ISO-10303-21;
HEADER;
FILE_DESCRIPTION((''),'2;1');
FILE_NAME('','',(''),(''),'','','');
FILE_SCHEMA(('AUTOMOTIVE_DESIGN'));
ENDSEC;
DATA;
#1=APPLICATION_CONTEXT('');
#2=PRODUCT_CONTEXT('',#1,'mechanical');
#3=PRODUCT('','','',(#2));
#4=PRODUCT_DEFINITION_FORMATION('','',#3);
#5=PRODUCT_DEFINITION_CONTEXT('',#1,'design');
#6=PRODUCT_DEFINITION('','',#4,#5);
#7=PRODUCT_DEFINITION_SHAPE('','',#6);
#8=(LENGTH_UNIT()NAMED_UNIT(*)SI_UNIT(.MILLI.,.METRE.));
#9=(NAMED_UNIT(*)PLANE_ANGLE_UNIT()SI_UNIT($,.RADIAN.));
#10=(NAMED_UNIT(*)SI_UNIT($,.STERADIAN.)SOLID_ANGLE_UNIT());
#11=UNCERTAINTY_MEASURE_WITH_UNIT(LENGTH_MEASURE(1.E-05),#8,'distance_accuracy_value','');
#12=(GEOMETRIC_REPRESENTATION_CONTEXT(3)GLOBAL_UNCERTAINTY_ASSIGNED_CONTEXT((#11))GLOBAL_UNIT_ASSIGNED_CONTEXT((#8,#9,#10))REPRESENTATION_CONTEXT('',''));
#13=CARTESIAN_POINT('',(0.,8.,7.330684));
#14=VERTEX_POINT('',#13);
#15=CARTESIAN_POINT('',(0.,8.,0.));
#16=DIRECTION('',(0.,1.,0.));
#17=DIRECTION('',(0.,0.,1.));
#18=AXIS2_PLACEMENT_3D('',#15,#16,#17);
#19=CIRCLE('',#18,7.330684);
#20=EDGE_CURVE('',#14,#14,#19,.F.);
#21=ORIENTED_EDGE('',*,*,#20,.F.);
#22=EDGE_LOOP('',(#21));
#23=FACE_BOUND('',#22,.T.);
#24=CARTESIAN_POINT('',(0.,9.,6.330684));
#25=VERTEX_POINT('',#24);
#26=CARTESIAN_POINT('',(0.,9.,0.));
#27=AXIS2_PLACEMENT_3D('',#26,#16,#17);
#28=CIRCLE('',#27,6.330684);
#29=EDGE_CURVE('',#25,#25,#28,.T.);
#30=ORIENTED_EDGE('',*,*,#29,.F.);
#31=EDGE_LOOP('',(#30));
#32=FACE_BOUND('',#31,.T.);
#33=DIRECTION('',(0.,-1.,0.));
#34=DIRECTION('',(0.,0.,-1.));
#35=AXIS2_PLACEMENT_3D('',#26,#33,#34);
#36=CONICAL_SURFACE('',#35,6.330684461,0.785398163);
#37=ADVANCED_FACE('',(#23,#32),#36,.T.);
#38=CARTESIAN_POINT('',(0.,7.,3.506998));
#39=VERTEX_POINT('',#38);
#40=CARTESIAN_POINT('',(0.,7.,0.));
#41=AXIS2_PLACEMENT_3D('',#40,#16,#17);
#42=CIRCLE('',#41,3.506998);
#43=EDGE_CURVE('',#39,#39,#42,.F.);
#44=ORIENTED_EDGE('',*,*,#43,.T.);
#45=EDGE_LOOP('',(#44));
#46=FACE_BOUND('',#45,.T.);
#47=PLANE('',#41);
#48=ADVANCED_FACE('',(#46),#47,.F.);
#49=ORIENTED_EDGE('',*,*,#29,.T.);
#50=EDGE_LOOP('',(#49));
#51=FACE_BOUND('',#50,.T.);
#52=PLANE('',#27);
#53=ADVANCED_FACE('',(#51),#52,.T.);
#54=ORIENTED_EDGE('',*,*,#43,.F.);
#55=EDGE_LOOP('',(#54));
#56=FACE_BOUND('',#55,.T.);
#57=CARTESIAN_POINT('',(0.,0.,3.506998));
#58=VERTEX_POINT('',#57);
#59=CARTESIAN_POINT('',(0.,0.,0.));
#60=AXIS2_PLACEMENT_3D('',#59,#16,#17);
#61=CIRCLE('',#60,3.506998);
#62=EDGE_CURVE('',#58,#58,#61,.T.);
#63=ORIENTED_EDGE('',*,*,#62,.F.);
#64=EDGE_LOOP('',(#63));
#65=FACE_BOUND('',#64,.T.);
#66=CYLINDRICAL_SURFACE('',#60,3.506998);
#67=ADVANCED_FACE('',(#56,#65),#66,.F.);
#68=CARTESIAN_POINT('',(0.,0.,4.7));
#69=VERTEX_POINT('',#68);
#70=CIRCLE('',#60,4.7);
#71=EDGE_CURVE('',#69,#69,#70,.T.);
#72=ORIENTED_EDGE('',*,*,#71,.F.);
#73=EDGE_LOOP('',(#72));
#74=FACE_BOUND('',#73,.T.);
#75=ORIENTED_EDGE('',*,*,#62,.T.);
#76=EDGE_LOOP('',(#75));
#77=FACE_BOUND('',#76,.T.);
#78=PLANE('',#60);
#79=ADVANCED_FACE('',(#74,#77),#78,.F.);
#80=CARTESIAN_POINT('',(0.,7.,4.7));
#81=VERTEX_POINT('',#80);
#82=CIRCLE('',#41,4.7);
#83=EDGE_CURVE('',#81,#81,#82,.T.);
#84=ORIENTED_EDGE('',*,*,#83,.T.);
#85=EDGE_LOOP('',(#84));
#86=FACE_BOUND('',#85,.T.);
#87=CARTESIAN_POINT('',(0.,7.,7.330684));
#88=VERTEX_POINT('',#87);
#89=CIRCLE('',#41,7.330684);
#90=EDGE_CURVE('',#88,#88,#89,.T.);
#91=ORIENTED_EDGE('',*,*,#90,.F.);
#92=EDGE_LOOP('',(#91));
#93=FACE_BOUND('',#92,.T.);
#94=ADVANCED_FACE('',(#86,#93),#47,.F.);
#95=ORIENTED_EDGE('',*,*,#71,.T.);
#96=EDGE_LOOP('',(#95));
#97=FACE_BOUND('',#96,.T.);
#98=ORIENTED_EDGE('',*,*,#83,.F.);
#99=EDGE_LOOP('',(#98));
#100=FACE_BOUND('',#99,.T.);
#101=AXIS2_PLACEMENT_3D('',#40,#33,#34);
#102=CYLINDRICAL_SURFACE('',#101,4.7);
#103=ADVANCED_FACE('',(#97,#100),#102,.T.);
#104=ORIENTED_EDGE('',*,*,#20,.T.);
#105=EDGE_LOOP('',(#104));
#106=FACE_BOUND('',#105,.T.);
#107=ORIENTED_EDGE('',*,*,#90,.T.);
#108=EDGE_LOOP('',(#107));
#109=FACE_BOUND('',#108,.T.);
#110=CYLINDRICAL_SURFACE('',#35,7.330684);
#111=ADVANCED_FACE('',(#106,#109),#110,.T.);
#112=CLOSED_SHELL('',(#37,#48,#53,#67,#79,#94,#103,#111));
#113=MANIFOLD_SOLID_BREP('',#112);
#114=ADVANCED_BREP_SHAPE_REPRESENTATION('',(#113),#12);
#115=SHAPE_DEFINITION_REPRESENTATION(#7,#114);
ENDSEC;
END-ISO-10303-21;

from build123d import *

# Parameters (mm, degrees)
SKETCH1_R           = 4.7
BOSS_EXTRUDE1_DEPTH = 7
SKETCH2_R           = 3.506998357
CUT_EXTRUDE1_DEPTH  = 7
SKETCH3_R           = 7.330684461
BOSS_EXTRUDE2_DEPTH = 2
CHAMFER1_SIZE       = 1


with BuildPart() as part:
    # Sketch1 → Boss-Extrude1 (new body)
    with BuildSketch(Plane(origin=(0, 0, 0), x_dir=(1, 0, 0), z_dir=(0, 1, 0))):
        Circle(SKETCH1_R)
    extrude(amount=BOSS_EXTRUDE1_DEPTH)

    # Sketch2 → Cut-Extrude1 (cut)
    with BuildSketch(Plane(origin=(0, 7, 0), x_dir=(-1, 0, 0), z_dir=(0, 1, 0))):
        Circle(SKETCH2_R)
    extrude(amount=-CUT_EXTRUDE1_DEPTH, mode=Mode.SUBTRACT)

    # Sketch3 → Boss-Extrude2 (add)
    with BuildSketch(Plane(origin=(0, 7, 0), x_dir=(1, 0, 0), z_dir=(0, 1, 0))):
        Circle(SKETCH3_R)
    extrude(amount=BOSS_EXTRUDE2_DEPTH)

    # Chamfer1
    chamfer1_edges = [part.edges().sort_by_distance(p)[0] for p in [
        (-7.330684461, 9, 0),
    ]]
    chamfer(chamfer1_edges, length=CHAMFER1_SIZE)


solid = part.part
